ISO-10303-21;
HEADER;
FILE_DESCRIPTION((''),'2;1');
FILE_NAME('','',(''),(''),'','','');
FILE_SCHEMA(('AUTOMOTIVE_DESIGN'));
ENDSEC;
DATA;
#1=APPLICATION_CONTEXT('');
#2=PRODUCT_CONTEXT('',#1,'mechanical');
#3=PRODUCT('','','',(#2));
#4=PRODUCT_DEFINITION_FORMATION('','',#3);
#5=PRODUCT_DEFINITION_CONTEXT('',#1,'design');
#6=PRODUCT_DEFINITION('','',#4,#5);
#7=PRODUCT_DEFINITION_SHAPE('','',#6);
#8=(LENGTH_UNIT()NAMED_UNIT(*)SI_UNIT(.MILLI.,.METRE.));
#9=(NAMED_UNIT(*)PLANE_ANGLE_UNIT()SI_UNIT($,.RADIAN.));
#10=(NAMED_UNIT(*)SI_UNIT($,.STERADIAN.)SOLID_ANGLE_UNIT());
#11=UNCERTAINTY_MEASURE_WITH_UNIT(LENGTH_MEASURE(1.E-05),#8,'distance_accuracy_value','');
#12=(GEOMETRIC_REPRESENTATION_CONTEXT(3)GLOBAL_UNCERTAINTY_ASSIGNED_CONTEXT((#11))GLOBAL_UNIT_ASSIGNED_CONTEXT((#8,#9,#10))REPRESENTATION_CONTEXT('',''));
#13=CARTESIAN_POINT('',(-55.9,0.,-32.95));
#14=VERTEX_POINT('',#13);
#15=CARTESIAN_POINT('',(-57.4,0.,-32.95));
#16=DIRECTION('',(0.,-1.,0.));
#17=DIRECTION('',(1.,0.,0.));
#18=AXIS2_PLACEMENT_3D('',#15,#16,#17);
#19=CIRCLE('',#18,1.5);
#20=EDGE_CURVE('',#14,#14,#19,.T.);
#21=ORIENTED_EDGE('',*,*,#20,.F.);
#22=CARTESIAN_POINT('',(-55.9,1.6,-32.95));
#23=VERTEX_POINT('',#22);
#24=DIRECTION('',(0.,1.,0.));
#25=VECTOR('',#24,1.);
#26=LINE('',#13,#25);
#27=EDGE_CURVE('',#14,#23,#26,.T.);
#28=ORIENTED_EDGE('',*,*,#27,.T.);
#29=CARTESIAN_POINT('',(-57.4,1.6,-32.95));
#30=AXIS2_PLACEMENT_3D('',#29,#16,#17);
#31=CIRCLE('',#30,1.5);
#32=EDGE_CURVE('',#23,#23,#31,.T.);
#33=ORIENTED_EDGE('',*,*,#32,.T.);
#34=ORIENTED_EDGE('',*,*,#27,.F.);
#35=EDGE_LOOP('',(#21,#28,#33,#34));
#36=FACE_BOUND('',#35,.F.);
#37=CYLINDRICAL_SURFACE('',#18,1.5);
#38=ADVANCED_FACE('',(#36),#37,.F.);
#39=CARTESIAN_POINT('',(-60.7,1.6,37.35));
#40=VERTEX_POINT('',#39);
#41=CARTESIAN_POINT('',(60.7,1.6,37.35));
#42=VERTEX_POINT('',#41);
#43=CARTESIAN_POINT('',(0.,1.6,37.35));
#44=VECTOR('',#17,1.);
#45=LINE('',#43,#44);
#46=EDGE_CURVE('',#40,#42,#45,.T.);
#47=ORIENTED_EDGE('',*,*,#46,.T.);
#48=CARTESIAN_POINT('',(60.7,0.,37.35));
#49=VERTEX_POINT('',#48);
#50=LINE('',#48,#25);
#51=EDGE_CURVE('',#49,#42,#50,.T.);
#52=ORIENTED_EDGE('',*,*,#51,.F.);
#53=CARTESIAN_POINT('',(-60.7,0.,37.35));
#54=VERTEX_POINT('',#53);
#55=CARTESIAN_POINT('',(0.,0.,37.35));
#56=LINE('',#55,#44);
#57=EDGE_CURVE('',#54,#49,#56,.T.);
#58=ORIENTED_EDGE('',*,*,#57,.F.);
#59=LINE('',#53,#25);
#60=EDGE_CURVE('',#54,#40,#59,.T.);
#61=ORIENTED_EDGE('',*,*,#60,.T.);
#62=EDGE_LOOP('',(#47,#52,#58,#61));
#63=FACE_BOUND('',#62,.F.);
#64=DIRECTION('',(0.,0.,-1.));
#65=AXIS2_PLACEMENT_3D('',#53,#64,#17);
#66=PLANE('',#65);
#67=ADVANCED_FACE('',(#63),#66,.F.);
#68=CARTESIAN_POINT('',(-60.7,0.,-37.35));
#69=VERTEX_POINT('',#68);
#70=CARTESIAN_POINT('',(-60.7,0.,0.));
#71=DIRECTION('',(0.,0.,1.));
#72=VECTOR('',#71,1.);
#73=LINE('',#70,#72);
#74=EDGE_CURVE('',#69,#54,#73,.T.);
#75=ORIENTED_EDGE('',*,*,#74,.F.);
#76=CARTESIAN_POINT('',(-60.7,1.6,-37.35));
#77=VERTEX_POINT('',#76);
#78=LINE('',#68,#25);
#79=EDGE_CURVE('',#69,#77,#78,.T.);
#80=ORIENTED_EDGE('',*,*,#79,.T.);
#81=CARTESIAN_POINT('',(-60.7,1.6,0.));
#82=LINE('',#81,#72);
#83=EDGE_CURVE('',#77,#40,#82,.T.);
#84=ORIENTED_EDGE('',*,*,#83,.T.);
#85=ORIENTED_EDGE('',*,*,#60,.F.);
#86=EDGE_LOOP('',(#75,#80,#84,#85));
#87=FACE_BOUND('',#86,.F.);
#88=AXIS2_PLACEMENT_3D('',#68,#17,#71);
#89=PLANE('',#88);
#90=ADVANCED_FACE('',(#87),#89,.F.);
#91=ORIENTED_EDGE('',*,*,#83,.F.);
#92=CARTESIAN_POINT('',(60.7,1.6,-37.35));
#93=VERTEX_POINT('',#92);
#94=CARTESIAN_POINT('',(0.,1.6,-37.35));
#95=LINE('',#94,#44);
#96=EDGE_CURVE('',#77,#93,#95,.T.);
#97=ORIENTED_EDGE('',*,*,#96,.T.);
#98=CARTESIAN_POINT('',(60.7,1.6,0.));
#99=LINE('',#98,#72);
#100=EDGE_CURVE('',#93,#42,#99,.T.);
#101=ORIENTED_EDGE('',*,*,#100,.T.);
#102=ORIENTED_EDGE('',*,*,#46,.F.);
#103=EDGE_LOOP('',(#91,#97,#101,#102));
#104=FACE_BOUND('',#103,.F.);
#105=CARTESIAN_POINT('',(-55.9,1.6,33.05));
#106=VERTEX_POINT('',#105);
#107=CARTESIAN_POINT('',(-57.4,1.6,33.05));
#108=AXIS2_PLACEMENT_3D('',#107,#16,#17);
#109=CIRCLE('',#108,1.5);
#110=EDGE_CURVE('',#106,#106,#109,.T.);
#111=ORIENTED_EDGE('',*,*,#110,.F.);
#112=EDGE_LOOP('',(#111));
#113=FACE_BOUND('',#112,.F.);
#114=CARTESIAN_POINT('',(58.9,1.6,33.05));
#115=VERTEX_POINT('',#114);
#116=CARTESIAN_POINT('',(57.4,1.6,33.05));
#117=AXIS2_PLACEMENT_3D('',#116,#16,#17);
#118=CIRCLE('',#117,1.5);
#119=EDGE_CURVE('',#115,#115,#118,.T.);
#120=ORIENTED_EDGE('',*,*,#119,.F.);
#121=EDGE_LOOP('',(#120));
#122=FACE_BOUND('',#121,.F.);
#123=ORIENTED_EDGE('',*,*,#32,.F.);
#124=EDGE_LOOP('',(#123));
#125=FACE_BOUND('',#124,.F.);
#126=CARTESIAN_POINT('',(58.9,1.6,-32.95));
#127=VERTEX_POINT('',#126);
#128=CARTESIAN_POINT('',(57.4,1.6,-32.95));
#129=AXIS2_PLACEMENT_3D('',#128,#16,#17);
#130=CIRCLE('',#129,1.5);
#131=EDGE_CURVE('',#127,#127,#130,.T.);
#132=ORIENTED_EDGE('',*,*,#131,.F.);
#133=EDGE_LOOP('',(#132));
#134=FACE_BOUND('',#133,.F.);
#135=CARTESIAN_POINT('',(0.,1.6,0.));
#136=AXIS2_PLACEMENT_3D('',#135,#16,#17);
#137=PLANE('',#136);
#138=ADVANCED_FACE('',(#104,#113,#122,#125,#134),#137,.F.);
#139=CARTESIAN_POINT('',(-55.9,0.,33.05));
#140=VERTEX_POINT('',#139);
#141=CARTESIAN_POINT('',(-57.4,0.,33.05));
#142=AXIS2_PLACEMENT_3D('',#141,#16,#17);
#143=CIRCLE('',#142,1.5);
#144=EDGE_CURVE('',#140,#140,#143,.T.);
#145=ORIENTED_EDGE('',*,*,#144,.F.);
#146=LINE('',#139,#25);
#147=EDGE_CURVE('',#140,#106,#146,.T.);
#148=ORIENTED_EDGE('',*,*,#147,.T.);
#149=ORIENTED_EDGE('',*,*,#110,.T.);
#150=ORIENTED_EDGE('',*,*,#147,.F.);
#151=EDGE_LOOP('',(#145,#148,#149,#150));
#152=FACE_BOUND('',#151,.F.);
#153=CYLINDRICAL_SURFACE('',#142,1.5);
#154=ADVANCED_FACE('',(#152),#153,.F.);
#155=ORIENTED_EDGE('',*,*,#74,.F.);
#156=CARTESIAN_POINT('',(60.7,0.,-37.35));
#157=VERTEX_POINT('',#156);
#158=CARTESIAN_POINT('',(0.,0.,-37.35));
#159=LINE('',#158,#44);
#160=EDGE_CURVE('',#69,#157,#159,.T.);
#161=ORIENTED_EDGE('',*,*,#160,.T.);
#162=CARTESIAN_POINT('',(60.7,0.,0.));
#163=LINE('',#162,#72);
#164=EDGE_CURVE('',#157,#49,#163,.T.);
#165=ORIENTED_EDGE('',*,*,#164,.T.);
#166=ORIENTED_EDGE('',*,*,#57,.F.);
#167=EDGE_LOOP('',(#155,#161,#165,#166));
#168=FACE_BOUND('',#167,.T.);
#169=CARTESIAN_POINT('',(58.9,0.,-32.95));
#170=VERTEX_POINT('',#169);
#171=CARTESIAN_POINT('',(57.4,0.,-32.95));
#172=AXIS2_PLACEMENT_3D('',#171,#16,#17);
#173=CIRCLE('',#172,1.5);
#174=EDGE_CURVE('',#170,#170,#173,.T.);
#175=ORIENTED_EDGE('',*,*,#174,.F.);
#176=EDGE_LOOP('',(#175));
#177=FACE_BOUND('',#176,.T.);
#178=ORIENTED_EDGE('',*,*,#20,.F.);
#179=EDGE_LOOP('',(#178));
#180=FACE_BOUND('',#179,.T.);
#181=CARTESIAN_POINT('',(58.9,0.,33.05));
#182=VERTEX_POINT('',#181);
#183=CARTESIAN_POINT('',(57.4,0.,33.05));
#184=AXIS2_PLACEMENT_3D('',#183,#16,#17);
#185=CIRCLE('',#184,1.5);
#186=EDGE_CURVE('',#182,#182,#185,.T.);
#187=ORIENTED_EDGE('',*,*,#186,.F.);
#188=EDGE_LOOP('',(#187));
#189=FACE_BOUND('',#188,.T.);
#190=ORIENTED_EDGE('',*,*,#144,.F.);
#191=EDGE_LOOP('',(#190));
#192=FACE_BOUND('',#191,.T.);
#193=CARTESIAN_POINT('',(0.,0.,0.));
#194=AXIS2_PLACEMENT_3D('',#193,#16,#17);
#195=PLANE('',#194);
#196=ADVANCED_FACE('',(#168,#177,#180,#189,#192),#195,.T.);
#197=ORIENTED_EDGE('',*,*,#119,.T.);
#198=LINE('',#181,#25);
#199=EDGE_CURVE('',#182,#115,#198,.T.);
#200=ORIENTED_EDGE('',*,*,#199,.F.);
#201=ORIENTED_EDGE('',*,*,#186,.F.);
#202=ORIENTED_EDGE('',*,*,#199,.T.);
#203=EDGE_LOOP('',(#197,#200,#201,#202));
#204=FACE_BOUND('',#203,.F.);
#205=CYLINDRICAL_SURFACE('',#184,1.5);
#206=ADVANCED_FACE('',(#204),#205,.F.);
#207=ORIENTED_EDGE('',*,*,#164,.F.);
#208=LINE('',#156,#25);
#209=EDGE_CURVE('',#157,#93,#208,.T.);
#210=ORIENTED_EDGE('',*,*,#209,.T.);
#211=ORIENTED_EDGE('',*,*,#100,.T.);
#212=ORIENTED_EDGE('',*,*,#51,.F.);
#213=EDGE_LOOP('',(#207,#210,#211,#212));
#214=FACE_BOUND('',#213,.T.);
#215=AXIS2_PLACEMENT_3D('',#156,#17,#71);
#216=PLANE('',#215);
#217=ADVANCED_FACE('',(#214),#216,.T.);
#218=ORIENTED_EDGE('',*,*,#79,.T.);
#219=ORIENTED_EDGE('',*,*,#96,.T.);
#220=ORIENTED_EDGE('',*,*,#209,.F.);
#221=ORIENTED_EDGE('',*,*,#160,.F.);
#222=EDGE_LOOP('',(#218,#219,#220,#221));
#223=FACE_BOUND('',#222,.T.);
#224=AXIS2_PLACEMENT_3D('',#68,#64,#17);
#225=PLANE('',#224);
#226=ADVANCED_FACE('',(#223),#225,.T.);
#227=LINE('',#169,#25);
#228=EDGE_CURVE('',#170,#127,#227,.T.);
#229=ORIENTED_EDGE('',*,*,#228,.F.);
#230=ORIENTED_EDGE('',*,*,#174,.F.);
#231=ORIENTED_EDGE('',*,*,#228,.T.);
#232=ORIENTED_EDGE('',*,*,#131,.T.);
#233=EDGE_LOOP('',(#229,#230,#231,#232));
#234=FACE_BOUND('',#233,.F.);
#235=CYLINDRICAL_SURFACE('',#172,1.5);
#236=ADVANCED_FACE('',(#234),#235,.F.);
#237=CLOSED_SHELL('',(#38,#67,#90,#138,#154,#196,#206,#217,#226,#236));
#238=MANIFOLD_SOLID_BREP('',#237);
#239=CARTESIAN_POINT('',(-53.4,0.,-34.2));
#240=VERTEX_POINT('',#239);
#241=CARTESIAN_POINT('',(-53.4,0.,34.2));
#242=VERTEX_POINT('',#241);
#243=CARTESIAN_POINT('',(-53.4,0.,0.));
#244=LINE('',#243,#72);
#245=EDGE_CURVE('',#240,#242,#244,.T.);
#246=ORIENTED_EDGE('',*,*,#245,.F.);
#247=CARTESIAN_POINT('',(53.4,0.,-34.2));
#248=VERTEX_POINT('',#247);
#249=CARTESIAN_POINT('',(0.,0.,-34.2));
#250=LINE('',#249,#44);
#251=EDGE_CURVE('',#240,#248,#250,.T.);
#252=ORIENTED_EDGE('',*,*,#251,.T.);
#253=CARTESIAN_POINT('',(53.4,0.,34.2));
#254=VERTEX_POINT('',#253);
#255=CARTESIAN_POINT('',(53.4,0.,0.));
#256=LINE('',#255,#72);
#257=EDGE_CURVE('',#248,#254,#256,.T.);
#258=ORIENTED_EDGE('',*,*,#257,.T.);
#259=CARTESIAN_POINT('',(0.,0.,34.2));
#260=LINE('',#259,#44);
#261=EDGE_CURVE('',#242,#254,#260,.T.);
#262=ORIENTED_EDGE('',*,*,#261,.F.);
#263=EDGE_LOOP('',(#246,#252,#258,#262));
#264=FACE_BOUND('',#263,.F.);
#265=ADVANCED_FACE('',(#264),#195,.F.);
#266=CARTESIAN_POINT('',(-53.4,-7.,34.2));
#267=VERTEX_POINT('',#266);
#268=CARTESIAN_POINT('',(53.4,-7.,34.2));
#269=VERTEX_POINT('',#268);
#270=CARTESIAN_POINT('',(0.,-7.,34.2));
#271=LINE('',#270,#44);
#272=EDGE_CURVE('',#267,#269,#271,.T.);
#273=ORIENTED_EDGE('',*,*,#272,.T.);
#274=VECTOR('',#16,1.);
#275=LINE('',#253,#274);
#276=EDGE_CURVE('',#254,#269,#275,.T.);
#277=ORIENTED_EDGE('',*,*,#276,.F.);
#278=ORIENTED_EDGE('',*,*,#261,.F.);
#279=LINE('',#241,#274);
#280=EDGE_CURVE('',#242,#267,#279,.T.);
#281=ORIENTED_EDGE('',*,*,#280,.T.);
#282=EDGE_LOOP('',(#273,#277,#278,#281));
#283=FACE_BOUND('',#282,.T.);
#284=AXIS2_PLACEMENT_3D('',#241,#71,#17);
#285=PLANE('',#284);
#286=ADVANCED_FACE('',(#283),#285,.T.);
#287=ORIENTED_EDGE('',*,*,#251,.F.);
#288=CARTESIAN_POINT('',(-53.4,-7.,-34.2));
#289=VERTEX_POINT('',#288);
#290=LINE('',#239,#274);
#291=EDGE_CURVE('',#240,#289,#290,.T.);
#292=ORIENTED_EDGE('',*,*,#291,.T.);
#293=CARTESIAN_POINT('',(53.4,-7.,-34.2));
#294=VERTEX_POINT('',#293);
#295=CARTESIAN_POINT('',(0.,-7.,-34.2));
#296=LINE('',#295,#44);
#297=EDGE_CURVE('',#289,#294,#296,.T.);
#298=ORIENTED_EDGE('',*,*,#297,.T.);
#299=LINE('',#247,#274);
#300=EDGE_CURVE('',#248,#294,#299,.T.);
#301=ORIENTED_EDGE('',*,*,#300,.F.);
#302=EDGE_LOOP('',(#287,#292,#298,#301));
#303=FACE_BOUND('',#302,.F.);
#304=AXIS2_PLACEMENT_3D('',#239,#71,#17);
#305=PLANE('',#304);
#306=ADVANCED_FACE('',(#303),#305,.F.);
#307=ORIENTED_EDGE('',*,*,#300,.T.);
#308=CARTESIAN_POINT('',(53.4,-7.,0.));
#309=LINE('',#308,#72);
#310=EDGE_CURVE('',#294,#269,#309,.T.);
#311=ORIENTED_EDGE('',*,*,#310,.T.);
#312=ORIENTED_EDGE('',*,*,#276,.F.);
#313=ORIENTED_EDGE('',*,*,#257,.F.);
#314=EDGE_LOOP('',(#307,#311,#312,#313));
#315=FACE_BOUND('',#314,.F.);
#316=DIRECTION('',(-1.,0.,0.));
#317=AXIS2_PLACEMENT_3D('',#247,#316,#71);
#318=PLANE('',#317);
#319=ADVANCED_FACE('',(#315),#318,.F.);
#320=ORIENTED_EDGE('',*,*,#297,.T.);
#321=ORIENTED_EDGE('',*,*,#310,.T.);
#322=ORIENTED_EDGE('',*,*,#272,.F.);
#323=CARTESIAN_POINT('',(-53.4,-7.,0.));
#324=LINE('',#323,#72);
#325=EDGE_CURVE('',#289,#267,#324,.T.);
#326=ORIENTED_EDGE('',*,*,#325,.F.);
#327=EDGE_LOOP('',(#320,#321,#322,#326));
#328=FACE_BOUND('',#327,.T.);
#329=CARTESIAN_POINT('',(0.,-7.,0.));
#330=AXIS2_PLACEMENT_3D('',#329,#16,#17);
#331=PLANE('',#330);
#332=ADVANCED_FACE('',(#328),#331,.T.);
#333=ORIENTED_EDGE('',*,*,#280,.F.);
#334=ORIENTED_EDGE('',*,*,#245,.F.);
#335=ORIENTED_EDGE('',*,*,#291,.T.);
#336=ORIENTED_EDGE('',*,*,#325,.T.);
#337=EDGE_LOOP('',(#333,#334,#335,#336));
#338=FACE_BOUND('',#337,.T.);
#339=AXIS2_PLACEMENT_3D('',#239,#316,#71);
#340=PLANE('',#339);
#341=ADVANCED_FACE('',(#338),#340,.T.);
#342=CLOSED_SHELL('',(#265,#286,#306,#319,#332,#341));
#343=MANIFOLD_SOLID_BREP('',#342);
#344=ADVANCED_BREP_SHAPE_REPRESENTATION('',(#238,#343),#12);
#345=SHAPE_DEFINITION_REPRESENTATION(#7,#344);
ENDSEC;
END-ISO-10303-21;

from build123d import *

# Parameters (mm, degrees)
F0_W     = 121.4
F0_H     = 74.7
F0_R     = 1.5
F1_DEPTH = 1.6
F2_W     = 106.8
F2_H     = 68.4
F3_DEPTH = 7


with BuildPart() as f1:
    # F0 (on Front) → F1 (new body)
    with BuildSketch(Plane.XZ):
        Rectangle(F0_W, F0_H)
        with Locations((-57.4, -32.95)):
            Circle(F0_R, mode=Mode.SUBTRACT)
        with Locations((57.4, -32.95)):
            Circle(F0_R, mode=Mode.SUBTRACT)
        with Locations((-57.4, 33.05)):
            Circle(F0_R, mode=Mode.SUBTRACT)
        with Locations((57.4, 33.05)):
            Circle(F0_R, mode=Mode.SUBTRACT)
    extrude(amount=-F1_DEPTH)


with BuildPart() as f3:
    # F2 (on face) → F3 (new body)
    with BuildSketch(Plane.XZ):
        Rectangle(F2_W, F2_H)
    extrude(amount=F3_DEPTH)


solid = Compound([f1.part, f3.part])
